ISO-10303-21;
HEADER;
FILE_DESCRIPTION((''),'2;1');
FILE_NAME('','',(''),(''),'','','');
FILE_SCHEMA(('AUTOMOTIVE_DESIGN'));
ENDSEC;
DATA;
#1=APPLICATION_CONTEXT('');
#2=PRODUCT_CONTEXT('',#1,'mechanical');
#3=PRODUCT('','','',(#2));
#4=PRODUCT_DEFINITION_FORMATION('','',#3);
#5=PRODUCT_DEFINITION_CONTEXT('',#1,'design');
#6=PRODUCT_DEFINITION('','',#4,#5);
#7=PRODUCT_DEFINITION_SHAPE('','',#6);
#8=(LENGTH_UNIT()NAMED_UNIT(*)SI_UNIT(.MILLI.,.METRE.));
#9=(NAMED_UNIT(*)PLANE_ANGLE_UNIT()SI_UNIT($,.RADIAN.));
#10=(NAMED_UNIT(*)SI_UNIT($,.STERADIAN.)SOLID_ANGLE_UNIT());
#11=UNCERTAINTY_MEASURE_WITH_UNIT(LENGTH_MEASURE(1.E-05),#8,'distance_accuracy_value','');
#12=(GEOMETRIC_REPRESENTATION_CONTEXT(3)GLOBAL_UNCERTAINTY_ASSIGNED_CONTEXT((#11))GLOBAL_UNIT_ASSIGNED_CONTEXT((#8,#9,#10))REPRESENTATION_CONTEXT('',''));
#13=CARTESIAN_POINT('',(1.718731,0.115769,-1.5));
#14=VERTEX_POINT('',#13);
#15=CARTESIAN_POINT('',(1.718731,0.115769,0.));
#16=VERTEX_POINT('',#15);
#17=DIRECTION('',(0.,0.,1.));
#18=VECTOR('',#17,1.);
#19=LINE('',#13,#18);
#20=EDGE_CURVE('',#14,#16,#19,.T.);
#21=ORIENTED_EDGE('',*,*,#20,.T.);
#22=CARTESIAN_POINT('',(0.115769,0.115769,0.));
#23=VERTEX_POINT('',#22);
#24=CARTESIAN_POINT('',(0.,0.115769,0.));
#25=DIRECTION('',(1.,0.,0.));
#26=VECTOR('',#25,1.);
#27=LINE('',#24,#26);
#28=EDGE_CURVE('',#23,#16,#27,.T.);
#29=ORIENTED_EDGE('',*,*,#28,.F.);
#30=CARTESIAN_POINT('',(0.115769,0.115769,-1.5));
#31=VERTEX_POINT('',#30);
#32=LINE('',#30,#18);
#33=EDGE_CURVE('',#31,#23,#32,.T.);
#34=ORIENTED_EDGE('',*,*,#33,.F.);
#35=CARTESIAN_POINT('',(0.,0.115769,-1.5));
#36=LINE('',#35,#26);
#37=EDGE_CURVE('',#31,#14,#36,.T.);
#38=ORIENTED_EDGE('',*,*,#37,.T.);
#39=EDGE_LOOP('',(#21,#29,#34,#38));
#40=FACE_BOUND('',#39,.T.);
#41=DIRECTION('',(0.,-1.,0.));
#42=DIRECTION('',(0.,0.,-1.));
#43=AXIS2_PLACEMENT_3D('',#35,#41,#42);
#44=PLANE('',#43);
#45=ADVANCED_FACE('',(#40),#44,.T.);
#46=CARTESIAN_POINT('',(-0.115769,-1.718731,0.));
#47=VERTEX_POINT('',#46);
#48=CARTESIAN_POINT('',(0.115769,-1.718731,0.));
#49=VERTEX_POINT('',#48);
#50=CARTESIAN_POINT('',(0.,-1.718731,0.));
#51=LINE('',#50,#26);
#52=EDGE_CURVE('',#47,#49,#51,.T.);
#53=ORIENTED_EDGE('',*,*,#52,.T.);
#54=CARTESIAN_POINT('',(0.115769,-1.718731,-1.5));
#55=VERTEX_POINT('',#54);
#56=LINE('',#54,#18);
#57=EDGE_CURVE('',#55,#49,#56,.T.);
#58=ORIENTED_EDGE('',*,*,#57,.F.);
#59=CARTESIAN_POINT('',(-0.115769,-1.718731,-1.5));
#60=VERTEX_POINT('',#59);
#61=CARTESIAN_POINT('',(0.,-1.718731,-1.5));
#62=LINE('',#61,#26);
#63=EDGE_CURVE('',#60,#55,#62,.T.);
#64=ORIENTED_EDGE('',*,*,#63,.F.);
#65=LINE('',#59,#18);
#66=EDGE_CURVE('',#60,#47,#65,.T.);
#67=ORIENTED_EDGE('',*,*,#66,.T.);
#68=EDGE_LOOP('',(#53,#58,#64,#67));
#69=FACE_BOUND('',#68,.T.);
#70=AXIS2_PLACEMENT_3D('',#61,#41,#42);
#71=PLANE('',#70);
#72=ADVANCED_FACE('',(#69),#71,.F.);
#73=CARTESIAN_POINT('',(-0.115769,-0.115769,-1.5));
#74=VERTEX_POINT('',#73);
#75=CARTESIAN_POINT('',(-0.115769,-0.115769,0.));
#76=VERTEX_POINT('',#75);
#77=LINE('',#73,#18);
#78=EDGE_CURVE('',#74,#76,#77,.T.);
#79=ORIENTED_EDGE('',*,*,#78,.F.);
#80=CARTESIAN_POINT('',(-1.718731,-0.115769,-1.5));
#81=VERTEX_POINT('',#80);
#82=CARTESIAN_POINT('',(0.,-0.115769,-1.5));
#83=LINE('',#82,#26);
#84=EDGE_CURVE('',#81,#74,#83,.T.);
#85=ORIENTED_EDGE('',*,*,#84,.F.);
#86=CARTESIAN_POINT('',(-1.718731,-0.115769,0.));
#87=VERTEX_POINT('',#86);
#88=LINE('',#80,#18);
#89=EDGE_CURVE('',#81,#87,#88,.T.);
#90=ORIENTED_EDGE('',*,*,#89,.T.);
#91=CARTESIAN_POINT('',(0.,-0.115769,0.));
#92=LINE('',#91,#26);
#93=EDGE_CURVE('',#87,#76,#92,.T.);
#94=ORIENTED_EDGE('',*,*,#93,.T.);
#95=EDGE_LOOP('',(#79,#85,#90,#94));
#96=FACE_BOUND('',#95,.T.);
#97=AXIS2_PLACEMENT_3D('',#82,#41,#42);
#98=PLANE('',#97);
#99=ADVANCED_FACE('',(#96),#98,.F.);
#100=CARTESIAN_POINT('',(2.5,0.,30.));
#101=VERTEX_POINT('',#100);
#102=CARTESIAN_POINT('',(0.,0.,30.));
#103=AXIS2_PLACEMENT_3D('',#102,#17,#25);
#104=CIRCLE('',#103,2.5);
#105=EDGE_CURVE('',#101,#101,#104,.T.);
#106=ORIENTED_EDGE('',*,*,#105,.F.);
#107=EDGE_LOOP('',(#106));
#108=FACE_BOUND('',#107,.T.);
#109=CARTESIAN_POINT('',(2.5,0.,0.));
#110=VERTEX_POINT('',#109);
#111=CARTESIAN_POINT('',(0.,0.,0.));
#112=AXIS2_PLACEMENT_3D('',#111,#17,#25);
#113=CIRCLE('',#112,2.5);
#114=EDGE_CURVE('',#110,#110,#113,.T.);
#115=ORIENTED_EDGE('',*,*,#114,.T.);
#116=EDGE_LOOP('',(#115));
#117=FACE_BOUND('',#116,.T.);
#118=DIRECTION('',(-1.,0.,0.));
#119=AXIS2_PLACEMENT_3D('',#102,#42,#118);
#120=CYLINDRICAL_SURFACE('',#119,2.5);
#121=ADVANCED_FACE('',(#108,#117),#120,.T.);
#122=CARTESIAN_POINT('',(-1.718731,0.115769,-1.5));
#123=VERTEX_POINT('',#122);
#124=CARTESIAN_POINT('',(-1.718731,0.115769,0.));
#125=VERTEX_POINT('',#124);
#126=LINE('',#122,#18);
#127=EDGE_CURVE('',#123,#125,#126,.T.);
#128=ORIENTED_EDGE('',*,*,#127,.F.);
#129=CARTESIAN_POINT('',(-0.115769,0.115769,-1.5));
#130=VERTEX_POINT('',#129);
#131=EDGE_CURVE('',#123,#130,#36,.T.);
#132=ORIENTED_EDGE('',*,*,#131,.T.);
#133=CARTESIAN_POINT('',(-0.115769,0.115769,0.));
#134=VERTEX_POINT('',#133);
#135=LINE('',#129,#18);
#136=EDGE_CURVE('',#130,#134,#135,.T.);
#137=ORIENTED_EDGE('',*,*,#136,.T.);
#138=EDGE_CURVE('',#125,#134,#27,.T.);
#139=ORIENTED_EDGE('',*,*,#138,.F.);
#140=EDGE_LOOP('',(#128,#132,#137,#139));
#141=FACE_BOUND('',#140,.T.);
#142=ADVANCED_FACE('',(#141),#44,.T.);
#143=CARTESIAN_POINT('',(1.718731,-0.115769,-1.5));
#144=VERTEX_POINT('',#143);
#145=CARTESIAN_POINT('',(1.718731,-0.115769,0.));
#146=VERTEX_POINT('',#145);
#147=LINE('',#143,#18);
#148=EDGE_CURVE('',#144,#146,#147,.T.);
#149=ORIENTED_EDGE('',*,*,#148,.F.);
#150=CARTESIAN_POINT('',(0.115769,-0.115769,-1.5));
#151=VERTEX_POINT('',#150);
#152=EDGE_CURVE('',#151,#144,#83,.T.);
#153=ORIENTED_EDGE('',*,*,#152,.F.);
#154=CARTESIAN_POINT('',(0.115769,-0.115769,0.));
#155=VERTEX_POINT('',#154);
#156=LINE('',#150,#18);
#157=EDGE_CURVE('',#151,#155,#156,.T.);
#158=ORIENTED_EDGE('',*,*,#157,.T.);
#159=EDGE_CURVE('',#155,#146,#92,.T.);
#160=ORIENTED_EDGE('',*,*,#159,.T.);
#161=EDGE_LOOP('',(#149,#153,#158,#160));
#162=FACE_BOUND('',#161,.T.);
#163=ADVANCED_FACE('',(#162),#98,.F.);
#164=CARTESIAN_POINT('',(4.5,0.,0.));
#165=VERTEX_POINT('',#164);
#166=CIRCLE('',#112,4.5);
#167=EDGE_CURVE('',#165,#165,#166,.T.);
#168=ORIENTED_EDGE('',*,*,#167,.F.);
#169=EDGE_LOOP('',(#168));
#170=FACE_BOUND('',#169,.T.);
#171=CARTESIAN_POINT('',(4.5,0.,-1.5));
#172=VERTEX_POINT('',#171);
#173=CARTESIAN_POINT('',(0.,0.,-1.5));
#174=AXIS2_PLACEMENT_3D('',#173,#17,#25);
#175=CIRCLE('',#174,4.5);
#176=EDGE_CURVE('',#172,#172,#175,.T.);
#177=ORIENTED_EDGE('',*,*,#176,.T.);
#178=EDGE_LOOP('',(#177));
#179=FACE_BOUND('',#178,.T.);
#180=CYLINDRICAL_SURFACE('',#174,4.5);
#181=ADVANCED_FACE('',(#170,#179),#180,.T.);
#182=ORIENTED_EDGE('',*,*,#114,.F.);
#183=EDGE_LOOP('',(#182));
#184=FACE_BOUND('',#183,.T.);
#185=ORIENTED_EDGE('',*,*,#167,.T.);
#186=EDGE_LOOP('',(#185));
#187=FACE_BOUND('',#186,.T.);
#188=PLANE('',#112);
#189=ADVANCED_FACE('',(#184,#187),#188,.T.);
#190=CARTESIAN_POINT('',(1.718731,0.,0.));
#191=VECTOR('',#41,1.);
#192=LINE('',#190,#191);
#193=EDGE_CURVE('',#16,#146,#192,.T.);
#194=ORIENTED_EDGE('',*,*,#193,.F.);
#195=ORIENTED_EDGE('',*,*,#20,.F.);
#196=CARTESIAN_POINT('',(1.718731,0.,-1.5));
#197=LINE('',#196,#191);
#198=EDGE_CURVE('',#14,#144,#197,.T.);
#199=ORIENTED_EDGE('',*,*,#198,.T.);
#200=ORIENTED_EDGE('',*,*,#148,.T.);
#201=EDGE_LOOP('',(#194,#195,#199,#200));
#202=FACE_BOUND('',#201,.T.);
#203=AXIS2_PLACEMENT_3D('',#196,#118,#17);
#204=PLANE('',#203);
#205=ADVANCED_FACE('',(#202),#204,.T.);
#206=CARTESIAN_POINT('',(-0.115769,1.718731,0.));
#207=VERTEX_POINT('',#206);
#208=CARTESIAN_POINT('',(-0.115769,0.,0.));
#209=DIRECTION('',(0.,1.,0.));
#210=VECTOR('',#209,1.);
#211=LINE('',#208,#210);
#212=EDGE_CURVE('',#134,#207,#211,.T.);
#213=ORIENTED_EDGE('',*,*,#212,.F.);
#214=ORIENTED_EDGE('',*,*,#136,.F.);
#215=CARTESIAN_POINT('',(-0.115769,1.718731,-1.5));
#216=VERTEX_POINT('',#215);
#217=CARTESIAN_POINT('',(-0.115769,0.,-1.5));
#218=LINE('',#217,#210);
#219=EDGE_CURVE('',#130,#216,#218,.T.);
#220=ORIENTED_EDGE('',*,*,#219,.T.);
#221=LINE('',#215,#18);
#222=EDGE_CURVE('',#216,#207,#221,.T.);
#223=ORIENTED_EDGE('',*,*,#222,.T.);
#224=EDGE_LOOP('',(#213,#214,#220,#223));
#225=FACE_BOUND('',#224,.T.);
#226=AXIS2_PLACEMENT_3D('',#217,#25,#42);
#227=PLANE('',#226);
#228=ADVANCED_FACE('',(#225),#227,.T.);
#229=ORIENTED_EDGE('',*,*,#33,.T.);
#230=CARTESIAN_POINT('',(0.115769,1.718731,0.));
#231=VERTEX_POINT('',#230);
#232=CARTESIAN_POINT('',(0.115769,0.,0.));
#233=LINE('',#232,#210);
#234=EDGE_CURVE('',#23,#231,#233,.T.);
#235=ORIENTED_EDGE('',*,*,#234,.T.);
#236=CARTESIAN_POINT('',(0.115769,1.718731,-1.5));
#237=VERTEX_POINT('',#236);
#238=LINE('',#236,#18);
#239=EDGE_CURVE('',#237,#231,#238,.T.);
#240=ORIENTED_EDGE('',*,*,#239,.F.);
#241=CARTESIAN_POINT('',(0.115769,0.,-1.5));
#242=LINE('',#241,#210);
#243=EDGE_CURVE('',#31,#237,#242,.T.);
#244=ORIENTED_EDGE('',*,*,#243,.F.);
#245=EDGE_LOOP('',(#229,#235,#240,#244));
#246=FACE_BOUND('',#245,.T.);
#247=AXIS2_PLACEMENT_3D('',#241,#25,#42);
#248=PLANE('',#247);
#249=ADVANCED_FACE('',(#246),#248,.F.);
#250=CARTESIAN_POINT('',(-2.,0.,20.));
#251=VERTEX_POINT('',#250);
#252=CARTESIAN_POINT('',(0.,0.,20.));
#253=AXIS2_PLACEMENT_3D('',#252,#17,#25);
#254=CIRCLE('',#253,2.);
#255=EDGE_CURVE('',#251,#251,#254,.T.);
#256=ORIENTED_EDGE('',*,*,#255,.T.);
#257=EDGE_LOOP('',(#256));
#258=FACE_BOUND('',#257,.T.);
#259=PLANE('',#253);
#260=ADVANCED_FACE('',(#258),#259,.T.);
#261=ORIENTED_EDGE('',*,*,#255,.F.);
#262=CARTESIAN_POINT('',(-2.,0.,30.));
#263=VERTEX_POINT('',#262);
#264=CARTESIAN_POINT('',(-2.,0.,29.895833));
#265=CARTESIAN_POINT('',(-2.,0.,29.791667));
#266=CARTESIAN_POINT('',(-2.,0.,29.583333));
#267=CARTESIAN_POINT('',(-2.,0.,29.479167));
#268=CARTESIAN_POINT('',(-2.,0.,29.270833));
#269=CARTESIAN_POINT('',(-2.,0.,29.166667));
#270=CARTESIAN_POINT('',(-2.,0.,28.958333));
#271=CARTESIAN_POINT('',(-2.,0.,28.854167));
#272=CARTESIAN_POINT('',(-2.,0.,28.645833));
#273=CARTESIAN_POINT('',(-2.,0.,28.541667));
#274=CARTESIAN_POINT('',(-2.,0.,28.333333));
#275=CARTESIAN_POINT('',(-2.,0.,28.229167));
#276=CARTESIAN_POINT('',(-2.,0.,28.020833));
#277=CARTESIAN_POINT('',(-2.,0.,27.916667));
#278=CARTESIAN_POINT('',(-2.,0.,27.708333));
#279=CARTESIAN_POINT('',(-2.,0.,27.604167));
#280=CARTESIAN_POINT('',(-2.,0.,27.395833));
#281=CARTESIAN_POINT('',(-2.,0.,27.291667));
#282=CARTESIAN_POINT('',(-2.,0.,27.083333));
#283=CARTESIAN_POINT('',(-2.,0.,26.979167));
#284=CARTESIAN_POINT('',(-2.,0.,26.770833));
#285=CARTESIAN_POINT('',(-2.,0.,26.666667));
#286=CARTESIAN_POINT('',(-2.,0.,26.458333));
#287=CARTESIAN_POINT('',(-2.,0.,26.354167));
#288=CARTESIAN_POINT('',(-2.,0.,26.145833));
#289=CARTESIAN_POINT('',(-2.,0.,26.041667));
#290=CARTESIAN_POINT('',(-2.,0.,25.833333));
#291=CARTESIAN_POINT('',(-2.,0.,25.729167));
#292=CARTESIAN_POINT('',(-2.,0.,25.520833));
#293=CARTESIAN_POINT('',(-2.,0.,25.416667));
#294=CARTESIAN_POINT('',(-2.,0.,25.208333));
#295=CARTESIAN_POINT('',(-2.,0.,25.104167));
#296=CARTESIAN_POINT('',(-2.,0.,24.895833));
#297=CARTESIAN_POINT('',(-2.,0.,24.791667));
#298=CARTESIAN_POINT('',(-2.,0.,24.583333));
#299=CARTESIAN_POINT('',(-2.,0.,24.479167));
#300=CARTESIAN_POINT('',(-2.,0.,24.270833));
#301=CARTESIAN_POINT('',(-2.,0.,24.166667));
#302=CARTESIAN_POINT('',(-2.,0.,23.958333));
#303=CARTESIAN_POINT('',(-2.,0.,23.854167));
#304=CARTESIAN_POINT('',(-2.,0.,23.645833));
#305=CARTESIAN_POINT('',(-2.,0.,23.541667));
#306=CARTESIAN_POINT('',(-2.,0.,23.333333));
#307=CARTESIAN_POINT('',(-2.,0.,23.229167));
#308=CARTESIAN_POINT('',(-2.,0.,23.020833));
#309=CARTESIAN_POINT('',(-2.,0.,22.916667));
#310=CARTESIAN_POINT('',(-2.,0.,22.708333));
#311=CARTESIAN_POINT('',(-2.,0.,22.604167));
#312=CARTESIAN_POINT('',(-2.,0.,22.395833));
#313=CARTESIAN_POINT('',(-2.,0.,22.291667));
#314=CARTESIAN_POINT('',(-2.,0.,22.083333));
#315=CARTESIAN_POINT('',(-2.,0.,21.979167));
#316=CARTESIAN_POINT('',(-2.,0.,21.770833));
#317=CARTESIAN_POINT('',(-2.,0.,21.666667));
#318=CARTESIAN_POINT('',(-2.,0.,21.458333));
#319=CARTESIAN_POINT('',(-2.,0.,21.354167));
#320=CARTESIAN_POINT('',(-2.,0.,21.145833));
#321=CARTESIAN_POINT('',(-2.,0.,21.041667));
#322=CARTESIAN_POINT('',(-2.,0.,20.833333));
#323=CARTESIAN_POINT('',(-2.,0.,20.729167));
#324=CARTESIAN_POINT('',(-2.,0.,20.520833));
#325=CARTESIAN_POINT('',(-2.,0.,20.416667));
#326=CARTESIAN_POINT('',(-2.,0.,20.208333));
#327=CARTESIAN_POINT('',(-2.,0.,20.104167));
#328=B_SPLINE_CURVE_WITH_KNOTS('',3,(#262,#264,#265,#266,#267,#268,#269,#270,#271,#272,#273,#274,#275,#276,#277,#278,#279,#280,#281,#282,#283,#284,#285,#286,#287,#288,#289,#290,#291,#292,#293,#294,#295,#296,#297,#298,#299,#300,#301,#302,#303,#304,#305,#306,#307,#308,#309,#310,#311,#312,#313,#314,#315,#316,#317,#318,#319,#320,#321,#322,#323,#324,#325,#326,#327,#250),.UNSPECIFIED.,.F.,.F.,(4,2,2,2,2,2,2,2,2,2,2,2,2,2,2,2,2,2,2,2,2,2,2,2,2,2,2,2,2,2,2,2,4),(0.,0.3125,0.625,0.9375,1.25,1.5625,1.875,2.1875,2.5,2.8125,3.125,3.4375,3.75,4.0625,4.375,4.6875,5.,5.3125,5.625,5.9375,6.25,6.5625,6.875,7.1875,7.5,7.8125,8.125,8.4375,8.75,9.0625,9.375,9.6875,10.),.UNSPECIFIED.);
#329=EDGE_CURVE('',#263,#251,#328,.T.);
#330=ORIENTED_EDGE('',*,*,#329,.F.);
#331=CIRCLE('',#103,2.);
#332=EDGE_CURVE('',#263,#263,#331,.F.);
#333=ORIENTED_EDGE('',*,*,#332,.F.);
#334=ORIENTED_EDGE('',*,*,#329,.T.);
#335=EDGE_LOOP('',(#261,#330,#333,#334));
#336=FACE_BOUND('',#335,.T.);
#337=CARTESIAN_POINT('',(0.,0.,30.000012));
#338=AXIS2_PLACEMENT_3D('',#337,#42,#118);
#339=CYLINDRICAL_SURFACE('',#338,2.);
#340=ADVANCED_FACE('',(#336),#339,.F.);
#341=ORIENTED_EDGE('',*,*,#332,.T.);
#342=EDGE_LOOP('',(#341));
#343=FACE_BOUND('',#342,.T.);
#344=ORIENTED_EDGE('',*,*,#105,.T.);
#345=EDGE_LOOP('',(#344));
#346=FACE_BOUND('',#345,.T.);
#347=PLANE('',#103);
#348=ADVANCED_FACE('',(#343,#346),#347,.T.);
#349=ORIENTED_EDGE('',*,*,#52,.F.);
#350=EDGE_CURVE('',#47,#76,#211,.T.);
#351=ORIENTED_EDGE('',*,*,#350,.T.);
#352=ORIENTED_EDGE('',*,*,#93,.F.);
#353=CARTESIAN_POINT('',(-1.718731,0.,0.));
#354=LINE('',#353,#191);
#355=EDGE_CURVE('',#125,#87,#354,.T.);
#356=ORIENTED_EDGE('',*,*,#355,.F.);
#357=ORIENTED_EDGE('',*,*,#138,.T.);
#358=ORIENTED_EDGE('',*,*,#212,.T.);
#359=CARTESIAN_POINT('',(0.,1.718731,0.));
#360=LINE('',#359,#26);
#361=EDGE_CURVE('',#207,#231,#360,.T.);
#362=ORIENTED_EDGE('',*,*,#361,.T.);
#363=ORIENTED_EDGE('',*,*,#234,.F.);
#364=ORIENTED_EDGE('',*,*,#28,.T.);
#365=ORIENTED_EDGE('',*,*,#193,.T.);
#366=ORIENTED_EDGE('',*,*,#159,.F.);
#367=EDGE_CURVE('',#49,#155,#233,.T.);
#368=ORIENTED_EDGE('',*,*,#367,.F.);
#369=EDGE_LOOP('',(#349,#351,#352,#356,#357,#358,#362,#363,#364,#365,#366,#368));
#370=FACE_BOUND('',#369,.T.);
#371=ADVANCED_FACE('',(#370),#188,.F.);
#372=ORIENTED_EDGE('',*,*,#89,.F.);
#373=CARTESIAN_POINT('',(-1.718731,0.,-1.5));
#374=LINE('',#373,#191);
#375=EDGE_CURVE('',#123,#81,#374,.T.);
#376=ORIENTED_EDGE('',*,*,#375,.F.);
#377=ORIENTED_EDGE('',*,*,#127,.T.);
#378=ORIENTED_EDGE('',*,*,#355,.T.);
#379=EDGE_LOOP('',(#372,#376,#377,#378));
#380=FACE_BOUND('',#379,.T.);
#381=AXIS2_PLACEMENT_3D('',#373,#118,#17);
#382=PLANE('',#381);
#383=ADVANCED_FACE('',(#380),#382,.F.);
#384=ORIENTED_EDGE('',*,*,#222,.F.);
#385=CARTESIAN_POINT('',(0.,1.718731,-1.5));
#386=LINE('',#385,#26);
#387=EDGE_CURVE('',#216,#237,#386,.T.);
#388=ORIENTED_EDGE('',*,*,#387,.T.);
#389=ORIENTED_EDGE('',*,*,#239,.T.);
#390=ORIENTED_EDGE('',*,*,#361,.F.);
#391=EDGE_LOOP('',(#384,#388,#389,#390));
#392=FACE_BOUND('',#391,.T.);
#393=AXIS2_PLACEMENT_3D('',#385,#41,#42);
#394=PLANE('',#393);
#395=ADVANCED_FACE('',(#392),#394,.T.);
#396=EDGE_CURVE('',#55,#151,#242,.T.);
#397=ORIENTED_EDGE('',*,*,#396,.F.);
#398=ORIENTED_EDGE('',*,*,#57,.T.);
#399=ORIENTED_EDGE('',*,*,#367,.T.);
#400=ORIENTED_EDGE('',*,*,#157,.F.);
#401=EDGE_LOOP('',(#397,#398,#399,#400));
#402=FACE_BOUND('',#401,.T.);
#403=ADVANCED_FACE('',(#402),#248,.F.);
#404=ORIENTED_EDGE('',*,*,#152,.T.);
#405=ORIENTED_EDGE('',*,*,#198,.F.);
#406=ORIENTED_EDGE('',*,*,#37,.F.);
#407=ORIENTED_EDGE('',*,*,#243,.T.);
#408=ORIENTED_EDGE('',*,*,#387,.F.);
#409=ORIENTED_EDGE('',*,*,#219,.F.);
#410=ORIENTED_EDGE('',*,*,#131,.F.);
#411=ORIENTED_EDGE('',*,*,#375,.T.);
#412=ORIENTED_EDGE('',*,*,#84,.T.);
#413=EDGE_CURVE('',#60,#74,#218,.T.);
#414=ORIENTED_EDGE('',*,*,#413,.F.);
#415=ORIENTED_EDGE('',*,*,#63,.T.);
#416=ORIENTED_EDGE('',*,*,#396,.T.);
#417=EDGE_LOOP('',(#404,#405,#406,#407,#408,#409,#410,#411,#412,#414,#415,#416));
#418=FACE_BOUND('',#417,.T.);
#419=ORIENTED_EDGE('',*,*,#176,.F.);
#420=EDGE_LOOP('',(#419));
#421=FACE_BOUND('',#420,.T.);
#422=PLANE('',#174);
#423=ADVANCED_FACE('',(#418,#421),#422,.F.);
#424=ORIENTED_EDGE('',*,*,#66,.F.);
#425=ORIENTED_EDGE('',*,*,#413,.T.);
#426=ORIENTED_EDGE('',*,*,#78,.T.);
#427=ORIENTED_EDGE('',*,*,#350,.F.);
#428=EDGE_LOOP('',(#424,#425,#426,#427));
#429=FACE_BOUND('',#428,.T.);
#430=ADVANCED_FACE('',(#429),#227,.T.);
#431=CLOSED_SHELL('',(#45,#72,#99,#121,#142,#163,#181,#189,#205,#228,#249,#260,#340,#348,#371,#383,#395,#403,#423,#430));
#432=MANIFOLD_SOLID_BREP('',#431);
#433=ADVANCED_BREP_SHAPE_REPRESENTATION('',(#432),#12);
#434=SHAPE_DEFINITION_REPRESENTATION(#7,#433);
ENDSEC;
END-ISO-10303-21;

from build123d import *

# Parameters (mm, degrees)
ESQUISSE1_R                  = 2.5
BOSS_EXTRU_1_DEPTH           = 30
ESQUISSE2_R                  = 4.5
BOSS_EXTRU_2_DEPTH           = 1.5
ENL_V_MAT_EXTRU_1_DEPTH      = 33.136427928
ENL_V_MAT_EXTRU_1_DEPTH_BACK = 10
ESQUISSE3_R                  = 2


with BuildPart() as part:
    # Esquisse1 → Boss.-Extru.1 (new body)
    with BuildSketch(Plane.XY):
        Circle(ESQUISSE1_R)
    extrude(amount=BOSS_EXTRU_1_DEPTH)

    # Esquisse2 → Boss.-Extru.2 (add)
    with BuildSketch(Plane.XY):
        Circle(ESQUISSE2_R)
        Polygon((-1.718731116, -0.115769453), (-1.718731116, 0.115769453), (-0.115769453, 0.115769453), (-0.115769453, 1.718731116), (0.115769453, 1.718731116), (0.115769453, 0.115769453), (1.718731116, 0.115769453), (1.718731116, -0.115769453), (0.115769453, -0.115769453), (0.115769453, -1.718731116), (-0.115769453, -1.718731116), (-0.115769453, -0.115769453), align=None, mode=Mode.SUBTRACT)
    extrude(amount=-BOSS_EXTRU_2_DEPTH)

    # Esquisse3 → Enlèv. mat.-Extru.1 (cut, two sides: drawn at the far end of the back side and taken through both)
    with BuildSketch(Plane.XY.offset(30).offset(-ENL_V_MAT_EXTRU_1_DEPTH_BACK)):
        with Locations(Location((0, 0, 0), (0, 0, 180))):
            Circle(ESQUISSE3_R)
    extrude(amount=ENL_V_MAT_EXTRU_1_DEPTH + ENL_V_MAT_EXTRU_1_DEPTH_BACK, mode=Mode.SUBTRACT)


solid = part.part
